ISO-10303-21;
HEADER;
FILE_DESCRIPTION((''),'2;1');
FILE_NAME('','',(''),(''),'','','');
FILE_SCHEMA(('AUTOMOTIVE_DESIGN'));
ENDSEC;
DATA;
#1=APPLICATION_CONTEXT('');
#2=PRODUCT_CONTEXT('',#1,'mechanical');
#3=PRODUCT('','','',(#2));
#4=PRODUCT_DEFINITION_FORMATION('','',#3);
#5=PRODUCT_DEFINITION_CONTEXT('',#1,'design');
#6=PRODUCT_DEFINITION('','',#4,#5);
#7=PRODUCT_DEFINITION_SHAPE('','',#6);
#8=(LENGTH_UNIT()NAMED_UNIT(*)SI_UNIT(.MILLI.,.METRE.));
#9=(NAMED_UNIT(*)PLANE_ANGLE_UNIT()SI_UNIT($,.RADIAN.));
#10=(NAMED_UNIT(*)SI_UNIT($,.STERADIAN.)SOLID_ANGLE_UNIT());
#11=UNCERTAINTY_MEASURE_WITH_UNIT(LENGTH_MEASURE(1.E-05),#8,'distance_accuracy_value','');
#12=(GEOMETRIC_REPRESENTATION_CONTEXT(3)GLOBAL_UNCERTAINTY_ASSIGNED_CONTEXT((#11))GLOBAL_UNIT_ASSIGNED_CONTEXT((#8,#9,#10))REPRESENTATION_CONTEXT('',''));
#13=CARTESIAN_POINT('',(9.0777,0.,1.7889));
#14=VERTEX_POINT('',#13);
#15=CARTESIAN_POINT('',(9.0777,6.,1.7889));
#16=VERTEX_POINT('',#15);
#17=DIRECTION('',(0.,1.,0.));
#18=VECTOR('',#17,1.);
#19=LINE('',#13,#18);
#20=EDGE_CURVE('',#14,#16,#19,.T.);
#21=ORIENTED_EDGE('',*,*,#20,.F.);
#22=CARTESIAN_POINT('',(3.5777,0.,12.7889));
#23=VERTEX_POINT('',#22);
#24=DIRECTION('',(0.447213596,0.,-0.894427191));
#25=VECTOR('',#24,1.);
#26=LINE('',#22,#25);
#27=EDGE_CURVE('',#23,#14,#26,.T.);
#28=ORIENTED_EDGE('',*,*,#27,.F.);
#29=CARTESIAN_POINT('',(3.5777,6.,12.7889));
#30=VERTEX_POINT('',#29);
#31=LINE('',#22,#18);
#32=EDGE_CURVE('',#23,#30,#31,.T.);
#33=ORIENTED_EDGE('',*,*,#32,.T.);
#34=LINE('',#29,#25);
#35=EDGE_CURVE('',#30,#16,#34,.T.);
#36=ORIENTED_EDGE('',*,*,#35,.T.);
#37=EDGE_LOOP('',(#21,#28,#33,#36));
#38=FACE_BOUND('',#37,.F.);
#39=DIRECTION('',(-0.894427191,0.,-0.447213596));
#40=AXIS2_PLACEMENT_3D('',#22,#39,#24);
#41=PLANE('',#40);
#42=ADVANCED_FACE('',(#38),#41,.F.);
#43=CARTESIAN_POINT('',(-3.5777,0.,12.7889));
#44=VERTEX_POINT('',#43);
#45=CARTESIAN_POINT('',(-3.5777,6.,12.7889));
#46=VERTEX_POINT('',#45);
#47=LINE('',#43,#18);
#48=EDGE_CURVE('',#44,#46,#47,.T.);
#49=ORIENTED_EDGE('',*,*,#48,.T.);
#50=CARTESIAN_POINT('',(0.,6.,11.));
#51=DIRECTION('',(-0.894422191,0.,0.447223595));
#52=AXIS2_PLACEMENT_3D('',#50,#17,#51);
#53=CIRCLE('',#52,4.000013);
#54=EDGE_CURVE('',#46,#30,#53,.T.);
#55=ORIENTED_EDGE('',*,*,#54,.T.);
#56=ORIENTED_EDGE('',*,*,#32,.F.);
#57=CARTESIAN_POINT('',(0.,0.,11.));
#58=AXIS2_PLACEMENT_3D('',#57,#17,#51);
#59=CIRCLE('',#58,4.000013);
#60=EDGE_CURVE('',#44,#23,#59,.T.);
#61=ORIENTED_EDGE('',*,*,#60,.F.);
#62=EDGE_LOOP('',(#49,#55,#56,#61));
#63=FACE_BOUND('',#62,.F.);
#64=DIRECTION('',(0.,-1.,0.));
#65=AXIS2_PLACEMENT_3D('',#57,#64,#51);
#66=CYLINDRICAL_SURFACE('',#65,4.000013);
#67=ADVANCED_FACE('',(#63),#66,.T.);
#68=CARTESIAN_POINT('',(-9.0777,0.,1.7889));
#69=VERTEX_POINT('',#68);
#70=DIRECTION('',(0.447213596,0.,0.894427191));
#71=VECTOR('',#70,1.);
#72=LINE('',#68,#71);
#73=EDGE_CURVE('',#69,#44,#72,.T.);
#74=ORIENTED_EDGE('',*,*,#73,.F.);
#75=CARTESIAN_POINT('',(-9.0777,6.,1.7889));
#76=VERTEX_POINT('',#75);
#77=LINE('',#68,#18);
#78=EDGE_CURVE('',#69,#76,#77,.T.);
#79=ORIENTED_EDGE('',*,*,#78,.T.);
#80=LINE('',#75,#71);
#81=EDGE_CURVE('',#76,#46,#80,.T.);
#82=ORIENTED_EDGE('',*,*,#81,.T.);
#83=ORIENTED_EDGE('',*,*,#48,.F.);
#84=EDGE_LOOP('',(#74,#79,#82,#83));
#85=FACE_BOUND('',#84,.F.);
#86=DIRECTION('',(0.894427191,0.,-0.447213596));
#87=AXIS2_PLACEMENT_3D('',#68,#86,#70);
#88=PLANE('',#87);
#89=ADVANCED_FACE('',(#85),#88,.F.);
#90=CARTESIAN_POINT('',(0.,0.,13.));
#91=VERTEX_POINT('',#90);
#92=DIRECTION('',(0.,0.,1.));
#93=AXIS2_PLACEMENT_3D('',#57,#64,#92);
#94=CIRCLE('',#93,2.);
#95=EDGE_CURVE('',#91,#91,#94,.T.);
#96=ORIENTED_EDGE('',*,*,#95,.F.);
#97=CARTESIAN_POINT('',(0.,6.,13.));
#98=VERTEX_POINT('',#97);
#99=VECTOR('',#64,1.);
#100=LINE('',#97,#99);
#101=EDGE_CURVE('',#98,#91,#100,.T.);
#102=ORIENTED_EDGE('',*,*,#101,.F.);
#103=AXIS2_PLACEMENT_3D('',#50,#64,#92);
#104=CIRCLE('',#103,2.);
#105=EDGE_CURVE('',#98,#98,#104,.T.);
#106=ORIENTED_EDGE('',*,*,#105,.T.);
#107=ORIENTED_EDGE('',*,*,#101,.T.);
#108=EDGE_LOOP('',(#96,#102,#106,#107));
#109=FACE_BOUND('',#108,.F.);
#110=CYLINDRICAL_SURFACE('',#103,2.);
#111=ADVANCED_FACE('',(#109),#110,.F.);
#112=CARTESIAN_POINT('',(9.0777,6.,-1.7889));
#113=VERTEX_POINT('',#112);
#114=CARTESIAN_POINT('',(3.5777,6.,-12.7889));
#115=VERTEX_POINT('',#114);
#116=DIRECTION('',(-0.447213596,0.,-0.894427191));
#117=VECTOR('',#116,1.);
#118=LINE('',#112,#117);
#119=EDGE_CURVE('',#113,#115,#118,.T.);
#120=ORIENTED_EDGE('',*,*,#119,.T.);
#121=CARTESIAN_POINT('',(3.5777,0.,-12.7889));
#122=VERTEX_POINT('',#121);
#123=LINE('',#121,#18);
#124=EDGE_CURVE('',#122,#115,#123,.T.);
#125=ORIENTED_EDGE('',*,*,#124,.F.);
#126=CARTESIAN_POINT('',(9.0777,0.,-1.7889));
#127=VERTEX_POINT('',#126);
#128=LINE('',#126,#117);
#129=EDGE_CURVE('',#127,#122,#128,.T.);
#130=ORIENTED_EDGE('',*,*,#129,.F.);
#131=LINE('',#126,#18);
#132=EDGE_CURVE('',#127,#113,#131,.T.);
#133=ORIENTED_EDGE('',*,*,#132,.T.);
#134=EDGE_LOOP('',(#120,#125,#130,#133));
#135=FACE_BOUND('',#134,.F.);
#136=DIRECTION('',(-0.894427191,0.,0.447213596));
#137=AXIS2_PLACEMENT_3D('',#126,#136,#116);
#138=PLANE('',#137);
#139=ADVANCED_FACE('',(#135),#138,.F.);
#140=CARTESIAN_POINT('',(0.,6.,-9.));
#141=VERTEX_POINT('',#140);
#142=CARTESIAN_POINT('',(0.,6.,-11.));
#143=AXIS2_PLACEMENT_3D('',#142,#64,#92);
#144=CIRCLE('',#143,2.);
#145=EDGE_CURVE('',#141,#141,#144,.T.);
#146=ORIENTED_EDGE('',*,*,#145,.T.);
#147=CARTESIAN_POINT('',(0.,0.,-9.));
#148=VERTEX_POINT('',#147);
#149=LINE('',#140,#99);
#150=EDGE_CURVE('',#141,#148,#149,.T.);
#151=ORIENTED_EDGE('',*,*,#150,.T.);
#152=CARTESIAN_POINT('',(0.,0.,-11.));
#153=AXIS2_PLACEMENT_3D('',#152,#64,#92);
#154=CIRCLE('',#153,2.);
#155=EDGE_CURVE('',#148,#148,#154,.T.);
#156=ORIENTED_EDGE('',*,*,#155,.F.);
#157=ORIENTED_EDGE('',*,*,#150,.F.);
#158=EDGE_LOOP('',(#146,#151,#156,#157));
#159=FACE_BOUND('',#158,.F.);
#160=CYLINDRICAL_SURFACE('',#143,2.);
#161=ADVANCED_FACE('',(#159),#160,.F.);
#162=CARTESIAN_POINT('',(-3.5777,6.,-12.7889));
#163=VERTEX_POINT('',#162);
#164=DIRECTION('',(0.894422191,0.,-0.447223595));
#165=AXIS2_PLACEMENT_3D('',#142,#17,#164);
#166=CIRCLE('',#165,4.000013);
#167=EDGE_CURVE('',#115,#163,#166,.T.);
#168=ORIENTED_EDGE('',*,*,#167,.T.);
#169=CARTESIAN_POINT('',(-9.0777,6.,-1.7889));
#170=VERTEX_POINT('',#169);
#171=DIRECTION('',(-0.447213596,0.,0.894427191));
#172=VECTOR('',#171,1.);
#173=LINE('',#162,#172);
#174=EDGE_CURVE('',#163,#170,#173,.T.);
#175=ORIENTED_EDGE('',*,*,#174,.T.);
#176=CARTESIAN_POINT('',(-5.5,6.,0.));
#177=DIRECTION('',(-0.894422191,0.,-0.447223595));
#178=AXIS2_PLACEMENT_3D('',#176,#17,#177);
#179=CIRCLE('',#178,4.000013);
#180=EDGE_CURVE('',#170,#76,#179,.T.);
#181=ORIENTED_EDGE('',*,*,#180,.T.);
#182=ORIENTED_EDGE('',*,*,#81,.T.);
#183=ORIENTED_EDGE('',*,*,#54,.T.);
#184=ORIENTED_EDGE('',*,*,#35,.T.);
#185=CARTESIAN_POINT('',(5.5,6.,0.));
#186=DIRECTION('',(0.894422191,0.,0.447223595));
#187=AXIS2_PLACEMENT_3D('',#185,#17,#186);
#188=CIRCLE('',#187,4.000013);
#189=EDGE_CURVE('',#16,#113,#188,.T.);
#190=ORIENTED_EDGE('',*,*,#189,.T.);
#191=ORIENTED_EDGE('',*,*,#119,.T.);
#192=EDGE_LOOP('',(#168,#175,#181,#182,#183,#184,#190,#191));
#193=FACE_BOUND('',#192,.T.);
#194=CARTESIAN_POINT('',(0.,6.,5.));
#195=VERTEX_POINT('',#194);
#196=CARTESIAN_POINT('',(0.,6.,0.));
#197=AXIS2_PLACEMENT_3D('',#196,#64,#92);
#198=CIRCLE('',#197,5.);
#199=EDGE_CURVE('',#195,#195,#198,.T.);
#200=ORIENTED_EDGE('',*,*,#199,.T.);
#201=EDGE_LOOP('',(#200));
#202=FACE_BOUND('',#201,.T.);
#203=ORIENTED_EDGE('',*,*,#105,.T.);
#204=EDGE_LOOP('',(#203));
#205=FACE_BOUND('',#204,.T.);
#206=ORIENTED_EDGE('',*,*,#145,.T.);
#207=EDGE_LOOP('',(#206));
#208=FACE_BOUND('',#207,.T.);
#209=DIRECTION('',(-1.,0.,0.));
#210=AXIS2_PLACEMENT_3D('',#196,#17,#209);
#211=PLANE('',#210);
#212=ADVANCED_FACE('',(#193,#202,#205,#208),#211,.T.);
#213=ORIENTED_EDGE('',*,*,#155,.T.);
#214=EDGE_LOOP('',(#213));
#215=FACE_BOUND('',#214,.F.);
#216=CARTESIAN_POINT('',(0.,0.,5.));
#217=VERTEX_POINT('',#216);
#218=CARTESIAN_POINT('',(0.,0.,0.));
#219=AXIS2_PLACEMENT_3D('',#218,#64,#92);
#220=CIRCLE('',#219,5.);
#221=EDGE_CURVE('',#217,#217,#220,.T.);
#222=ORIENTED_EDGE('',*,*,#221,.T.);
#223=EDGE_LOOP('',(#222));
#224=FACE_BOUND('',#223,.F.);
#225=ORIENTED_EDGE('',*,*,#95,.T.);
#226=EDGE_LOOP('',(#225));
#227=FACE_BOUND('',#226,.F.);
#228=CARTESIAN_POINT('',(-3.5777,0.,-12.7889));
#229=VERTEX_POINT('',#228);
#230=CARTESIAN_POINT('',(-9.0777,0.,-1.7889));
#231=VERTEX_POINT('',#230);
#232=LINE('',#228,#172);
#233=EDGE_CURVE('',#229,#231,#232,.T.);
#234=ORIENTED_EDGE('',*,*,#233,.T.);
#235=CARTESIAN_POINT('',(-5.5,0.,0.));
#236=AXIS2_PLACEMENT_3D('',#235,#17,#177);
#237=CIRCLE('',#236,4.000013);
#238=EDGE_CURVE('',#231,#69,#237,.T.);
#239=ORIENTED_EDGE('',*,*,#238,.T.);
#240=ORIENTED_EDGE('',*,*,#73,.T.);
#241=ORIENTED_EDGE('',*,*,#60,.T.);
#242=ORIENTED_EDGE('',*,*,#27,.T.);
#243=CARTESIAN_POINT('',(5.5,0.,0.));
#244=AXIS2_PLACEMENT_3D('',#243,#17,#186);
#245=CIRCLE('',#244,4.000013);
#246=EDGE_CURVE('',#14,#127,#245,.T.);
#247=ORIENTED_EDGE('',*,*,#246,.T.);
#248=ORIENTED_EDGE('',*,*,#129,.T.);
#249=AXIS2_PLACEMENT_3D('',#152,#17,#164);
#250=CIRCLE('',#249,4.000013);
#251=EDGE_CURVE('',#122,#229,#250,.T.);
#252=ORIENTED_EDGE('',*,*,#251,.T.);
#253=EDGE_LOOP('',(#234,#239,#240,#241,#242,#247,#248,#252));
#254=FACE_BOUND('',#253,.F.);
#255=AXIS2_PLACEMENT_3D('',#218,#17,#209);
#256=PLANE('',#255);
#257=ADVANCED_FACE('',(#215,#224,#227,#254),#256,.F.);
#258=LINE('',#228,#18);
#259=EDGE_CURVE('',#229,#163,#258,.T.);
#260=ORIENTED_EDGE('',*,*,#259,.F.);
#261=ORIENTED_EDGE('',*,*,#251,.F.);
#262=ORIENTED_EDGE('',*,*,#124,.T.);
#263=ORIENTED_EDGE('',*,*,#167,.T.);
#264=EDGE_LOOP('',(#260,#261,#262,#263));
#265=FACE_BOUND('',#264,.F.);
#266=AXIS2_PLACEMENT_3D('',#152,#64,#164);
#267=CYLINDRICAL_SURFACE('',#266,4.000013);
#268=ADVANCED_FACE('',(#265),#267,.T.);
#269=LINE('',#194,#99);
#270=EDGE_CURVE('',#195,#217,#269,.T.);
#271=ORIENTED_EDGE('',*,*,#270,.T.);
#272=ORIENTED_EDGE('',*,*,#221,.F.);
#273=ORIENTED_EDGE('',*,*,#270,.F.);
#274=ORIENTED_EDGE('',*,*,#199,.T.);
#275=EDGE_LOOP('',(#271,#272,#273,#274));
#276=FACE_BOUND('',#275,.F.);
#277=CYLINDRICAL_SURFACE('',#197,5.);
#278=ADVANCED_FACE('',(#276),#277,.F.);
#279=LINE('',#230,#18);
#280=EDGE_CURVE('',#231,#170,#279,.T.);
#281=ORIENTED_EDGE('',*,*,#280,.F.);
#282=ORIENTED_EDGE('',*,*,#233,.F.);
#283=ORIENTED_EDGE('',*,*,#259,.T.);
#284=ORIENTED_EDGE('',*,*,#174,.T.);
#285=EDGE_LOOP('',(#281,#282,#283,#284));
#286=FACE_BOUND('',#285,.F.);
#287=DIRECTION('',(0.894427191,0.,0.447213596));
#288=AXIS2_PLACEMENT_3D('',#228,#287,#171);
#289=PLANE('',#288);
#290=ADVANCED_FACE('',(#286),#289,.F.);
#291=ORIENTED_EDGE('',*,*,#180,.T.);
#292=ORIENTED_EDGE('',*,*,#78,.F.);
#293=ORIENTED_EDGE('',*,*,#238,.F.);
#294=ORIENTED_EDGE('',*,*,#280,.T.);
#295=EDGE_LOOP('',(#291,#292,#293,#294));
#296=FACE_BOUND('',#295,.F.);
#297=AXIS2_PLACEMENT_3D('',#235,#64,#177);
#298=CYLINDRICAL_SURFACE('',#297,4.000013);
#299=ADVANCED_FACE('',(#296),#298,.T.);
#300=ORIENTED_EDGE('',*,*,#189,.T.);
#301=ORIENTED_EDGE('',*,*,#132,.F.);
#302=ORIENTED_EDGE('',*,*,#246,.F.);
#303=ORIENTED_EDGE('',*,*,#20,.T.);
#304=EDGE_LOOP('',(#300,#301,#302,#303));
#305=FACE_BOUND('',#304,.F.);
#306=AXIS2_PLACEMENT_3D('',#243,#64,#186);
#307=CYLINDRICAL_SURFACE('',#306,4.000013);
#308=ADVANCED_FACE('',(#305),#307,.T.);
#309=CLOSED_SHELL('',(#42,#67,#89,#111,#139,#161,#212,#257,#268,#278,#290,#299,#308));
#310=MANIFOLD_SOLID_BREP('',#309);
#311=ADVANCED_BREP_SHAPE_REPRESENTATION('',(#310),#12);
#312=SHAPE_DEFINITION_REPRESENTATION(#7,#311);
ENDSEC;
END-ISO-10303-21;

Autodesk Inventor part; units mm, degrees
ref_plane "YZ Plane" through (0, 0, 0) normal (1, 0, 0) x (0, 1, 0)
ref_plane "XZ Plane" through (0, 0, 0) normal (0, 1, 0) x (-1, 0, 0)
ref_plane "XY Plane" through (0, 0, 0) normal (0, 0, 1) x (1, 0, 0)
sketch "Skizze1" plane through (0, 0, 0) normal (0, 1, 0) x (-1, 0, 0)
  line L0 (0, 11) -> (0, -11) construction
  line L1 (9.5, 0) -> (-9.5, 0) construction
  arc A0 (3.5777, 12.7889) -> (-3.5777, 12.7889) centre (0, 11) ccw
  arc A1 (-3.5777, -12.7889) -> (3.5777, -12.7889) centre (0, -11) ccw
  arc A2 (9.0777, -1.7889) -> (9.0777, 1.7889) centre (5.5, 0) ccw
  arc A3 (-9.0777, 1.7889) -> (-9.0777, -1.7889) centre (-5.5, 0) ccw
  line L2 (-3.5777, 12.7889) -> (-9.0777, 1.7889)
  line L3 (3.5777, -12.7889) -> (9.0777, -1.7889)
  line L4 (9.0777, 1.7889) -> (3.5777, 12.7889)
  line L5 (-9.0777, -1.7889) -> (-3.5777, -12.7889)
  point P0 (0, 0)
  point P1 (0, 0)
  point P2 (0, -15)
  point P3 (0, 15)
  dimension "d4" = 19
  dimension "d5" = 22
  dimension "d6" = 4
  dimension "d7" = 4
  dimension "d8" = 4
  dimension "d9" = 4
  dimension "d10" = 30
extrude "Extrusion1" add sketch "Skizze1" along normal blind 6
sketch "Skizze2" plane through (0, 6, 0) normal (0, 1, 0) x (1, 0, 0)
  arc A0 (-3.5777, -12.7889) -> (3.5777, -12.7889) centre (0, -11) ccw projected
  arc A1 (3.5777, 12.7889) -> (-3.5777, 12.7889) centre (0, 11) ccw projected
  point P0 (0, 0)
hole "Bohrung1" at (0, 6, 11) at (0, 6, -11) direction (0, -1, 0) diameter 4 depth 6
sketch "Skizze3" plane through (0, 6, 0) normal (0, 1, 0) x (1, 0, 0)
  point P0 (0, 0)
  point P1 (0, 0)
hole "Bohrung2" at (0, 6, 0) direction (0, -1, 0) diameter 10 end through all
equation "\"d6\" = d7"
equation "\"d9\" = d8"
properties part number "1162"
